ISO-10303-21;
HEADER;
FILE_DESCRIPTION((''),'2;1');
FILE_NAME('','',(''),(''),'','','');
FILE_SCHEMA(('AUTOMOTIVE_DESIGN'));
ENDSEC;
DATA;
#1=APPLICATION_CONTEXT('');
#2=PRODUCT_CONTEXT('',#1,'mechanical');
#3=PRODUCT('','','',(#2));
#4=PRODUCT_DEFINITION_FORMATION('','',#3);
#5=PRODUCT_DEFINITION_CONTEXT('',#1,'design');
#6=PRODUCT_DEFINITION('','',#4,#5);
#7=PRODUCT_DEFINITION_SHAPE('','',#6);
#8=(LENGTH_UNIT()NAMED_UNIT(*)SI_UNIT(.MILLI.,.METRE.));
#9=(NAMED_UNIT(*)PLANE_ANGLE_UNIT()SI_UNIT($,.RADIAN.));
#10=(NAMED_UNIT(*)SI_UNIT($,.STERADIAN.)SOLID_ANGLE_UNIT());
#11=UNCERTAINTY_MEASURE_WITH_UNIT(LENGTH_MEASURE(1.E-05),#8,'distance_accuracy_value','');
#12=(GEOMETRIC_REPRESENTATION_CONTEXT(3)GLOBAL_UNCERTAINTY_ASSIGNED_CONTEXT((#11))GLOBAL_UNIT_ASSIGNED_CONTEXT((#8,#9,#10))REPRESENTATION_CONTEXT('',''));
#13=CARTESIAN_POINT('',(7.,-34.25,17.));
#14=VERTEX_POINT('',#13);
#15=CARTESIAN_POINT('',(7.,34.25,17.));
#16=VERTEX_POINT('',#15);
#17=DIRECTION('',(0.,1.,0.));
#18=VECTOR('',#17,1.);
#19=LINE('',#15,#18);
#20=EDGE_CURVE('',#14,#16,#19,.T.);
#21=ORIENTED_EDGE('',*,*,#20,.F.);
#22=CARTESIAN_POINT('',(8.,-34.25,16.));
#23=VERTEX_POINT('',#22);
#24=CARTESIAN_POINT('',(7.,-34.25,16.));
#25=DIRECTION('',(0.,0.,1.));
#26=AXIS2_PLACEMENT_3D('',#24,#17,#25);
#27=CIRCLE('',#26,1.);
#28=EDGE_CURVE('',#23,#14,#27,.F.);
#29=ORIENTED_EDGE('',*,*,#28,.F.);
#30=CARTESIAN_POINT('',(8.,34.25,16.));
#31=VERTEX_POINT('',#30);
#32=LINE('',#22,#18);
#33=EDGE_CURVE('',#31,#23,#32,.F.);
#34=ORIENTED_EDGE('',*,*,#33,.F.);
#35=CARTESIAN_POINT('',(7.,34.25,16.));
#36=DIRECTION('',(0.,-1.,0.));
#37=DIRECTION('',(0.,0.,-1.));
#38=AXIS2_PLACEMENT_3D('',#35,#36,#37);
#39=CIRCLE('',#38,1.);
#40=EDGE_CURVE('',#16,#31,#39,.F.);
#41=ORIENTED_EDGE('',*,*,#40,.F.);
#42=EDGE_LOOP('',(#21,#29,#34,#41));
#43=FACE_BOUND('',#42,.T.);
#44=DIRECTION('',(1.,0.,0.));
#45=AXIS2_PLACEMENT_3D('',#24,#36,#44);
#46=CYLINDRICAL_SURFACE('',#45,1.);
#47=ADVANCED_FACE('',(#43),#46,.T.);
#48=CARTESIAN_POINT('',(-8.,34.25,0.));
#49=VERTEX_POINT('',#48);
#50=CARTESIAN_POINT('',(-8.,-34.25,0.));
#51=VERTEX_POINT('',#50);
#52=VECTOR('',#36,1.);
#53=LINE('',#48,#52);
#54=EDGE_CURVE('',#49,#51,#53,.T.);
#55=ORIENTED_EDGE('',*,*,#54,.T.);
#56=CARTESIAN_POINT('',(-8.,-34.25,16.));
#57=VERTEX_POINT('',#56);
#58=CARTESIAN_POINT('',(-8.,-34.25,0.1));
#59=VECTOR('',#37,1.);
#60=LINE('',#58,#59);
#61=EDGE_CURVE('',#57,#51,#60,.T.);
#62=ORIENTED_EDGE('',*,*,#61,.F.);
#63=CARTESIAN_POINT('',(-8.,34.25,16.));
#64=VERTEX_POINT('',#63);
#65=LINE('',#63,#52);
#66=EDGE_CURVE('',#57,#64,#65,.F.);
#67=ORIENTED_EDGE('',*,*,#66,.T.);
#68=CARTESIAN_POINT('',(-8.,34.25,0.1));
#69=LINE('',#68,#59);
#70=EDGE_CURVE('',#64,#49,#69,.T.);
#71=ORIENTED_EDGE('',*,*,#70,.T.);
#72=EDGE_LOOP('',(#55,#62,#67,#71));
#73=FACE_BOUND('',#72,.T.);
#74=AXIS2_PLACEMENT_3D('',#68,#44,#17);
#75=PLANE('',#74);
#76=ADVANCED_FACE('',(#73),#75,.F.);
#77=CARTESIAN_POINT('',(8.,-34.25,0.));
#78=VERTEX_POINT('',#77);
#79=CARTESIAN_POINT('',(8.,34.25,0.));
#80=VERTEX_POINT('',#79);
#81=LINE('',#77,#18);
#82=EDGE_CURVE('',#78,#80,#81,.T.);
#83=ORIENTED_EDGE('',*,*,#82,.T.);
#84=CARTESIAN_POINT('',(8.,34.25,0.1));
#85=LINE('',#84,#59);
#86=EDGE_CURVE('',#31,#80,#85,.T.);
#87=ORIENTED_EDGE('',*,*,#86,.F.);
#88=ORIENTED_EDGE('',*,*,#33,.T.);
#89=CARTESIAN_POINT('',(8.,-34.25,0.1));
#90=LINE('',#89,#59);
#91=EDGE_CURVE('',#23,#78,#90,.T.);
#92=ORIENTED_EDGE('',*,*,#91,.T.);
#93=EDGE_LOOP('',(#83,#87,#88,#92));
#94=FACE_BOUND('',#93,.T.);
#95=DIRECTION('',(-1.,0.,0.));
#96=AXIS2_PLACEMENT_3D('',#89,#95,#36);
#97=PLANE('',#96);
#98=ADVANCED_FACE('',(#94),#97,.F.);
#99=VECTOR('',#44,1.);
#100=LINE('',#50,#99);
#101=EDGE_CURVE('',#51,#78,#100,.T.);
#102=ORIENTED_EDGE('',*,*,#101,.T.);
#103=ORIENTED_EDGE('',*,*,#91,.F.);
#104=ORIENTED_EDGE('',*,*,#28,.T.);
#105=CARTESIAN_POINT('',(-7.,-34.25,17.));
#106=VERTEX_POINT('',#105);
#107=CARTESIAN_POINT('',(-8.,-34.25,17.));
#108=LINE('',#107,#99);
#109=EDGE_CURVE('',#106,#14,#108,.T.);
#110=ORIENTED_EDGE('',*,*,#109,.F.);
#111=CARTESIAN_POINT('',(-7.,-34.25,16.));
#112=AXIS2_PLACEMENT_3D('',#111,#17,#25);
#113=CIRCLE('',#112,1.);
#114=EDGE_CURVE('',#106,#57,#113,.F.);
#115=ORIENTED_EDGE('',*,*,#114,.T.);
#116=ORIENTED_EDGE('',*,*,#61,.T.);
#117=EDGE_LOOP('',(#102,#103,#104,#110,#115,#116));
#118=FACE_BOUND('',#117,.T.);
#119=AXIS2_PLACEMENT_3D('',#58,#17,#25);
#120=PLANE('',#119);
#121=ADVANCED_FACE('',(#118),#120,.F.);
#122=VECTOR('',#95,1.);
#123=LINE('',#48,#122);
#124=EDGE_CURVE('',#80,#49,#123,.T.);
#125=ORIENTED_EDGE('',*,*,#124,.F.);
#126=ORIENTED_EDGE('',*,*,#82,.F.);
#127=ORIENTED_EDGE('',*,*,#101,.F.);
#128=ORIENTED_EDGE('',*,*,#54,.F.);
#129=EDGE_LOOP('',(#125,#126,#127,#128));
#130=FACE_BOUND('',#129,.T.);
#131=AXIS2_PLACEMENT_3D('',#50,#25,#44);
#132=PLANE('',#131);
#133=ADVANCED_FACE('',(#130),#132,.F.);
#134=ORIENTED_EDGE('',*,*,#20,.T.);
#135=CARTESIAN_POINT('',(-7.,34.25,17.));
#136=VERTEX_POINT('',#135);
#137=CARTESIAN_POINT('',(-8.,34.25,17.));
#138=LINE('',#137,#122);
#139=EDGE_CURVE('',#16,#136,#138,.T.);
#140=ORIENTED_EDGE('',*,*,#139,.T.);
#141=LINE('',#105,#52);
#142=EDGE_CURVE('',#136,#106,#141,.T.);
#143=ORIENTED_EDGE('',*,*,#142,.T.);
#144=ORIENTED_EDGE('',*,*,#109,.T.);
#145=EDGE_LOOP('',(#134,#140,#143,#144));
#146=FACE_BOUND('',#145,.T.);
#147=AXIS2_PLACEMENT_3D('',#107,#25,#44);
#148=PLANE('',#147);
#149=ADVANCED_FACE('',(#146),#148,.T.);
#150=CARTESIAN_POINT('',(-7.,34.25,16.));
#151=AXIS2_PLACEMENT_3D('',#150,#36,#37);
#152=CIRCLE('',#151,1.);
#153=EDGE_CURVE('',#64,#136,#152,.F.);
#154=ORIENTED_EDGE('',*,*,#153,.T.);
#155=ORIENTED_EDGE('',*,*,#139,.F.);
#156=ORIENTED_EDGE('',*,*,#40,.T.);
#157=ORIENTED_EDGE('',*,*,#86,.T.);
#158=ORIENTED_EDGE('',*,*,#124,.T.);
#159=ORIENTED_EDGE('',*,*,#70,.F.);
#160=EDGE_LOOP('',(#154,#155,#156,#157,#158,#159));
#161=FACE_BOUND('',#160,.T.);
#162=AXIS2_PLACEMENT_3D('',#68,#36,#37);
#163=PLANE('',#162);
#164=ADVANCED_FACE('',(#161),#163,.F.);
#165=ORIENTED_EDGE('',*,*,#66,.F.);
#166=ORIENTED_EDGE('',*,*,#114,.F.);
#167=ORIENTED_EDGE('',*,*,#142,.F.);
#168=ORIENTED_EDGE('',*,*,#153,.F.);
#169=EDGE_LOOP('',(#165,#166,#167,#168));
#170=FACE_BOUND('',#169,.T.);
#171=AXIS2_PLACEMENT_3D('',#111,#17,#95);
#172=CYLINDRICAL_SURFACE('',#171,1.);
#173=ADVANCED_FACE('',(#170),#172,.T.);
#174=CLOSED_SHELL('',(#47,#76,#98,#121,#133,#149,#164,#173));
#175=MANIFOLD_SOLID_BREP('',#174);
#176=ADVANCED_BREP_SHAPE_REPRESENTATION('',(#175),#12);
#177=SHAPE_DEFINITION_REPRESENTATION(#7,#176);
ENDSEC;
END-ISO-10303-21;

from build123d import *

# Parameters (mm, degrees)
SKETCH_1_W      = 16
SKETCH_1_H      = 68.5
EXTRUDE_1_DEPTH = 0.1
SKETCH_2_W      = 16
SKETCH_2_H      = 68.5
EXTRUDE_2_DEPTH = 16.9
FILLET_1_R      = 1


with BuildPart() as part:
    # 草图1 → 拉伸1 (new body)
    with BuildSketch(Plane.XY):
        Rectangle(SKETCH_1_W, SKETCH_1_H)
    extrude(amount=EXTRUDE_1_DEPTH)

    # 草图2 → 拉伸2 (add)
    with BuildSketch(Plane.XY.offset(0.1)):
        Rectangle(SKETCH_2_W, SKETCH_2_H)
    extrude(amount=EXTRUDE_2_DEPTH)

    # 圆角1
    fillet_1_edges = [part.edges().sort_by_distance(p)[0] for p in [
        (-8, 0, 17),
        (8, 0, 17),
    ]]
    fillet(fillet_1_edges, radius=FILLET_1_R)


solid = part.part
